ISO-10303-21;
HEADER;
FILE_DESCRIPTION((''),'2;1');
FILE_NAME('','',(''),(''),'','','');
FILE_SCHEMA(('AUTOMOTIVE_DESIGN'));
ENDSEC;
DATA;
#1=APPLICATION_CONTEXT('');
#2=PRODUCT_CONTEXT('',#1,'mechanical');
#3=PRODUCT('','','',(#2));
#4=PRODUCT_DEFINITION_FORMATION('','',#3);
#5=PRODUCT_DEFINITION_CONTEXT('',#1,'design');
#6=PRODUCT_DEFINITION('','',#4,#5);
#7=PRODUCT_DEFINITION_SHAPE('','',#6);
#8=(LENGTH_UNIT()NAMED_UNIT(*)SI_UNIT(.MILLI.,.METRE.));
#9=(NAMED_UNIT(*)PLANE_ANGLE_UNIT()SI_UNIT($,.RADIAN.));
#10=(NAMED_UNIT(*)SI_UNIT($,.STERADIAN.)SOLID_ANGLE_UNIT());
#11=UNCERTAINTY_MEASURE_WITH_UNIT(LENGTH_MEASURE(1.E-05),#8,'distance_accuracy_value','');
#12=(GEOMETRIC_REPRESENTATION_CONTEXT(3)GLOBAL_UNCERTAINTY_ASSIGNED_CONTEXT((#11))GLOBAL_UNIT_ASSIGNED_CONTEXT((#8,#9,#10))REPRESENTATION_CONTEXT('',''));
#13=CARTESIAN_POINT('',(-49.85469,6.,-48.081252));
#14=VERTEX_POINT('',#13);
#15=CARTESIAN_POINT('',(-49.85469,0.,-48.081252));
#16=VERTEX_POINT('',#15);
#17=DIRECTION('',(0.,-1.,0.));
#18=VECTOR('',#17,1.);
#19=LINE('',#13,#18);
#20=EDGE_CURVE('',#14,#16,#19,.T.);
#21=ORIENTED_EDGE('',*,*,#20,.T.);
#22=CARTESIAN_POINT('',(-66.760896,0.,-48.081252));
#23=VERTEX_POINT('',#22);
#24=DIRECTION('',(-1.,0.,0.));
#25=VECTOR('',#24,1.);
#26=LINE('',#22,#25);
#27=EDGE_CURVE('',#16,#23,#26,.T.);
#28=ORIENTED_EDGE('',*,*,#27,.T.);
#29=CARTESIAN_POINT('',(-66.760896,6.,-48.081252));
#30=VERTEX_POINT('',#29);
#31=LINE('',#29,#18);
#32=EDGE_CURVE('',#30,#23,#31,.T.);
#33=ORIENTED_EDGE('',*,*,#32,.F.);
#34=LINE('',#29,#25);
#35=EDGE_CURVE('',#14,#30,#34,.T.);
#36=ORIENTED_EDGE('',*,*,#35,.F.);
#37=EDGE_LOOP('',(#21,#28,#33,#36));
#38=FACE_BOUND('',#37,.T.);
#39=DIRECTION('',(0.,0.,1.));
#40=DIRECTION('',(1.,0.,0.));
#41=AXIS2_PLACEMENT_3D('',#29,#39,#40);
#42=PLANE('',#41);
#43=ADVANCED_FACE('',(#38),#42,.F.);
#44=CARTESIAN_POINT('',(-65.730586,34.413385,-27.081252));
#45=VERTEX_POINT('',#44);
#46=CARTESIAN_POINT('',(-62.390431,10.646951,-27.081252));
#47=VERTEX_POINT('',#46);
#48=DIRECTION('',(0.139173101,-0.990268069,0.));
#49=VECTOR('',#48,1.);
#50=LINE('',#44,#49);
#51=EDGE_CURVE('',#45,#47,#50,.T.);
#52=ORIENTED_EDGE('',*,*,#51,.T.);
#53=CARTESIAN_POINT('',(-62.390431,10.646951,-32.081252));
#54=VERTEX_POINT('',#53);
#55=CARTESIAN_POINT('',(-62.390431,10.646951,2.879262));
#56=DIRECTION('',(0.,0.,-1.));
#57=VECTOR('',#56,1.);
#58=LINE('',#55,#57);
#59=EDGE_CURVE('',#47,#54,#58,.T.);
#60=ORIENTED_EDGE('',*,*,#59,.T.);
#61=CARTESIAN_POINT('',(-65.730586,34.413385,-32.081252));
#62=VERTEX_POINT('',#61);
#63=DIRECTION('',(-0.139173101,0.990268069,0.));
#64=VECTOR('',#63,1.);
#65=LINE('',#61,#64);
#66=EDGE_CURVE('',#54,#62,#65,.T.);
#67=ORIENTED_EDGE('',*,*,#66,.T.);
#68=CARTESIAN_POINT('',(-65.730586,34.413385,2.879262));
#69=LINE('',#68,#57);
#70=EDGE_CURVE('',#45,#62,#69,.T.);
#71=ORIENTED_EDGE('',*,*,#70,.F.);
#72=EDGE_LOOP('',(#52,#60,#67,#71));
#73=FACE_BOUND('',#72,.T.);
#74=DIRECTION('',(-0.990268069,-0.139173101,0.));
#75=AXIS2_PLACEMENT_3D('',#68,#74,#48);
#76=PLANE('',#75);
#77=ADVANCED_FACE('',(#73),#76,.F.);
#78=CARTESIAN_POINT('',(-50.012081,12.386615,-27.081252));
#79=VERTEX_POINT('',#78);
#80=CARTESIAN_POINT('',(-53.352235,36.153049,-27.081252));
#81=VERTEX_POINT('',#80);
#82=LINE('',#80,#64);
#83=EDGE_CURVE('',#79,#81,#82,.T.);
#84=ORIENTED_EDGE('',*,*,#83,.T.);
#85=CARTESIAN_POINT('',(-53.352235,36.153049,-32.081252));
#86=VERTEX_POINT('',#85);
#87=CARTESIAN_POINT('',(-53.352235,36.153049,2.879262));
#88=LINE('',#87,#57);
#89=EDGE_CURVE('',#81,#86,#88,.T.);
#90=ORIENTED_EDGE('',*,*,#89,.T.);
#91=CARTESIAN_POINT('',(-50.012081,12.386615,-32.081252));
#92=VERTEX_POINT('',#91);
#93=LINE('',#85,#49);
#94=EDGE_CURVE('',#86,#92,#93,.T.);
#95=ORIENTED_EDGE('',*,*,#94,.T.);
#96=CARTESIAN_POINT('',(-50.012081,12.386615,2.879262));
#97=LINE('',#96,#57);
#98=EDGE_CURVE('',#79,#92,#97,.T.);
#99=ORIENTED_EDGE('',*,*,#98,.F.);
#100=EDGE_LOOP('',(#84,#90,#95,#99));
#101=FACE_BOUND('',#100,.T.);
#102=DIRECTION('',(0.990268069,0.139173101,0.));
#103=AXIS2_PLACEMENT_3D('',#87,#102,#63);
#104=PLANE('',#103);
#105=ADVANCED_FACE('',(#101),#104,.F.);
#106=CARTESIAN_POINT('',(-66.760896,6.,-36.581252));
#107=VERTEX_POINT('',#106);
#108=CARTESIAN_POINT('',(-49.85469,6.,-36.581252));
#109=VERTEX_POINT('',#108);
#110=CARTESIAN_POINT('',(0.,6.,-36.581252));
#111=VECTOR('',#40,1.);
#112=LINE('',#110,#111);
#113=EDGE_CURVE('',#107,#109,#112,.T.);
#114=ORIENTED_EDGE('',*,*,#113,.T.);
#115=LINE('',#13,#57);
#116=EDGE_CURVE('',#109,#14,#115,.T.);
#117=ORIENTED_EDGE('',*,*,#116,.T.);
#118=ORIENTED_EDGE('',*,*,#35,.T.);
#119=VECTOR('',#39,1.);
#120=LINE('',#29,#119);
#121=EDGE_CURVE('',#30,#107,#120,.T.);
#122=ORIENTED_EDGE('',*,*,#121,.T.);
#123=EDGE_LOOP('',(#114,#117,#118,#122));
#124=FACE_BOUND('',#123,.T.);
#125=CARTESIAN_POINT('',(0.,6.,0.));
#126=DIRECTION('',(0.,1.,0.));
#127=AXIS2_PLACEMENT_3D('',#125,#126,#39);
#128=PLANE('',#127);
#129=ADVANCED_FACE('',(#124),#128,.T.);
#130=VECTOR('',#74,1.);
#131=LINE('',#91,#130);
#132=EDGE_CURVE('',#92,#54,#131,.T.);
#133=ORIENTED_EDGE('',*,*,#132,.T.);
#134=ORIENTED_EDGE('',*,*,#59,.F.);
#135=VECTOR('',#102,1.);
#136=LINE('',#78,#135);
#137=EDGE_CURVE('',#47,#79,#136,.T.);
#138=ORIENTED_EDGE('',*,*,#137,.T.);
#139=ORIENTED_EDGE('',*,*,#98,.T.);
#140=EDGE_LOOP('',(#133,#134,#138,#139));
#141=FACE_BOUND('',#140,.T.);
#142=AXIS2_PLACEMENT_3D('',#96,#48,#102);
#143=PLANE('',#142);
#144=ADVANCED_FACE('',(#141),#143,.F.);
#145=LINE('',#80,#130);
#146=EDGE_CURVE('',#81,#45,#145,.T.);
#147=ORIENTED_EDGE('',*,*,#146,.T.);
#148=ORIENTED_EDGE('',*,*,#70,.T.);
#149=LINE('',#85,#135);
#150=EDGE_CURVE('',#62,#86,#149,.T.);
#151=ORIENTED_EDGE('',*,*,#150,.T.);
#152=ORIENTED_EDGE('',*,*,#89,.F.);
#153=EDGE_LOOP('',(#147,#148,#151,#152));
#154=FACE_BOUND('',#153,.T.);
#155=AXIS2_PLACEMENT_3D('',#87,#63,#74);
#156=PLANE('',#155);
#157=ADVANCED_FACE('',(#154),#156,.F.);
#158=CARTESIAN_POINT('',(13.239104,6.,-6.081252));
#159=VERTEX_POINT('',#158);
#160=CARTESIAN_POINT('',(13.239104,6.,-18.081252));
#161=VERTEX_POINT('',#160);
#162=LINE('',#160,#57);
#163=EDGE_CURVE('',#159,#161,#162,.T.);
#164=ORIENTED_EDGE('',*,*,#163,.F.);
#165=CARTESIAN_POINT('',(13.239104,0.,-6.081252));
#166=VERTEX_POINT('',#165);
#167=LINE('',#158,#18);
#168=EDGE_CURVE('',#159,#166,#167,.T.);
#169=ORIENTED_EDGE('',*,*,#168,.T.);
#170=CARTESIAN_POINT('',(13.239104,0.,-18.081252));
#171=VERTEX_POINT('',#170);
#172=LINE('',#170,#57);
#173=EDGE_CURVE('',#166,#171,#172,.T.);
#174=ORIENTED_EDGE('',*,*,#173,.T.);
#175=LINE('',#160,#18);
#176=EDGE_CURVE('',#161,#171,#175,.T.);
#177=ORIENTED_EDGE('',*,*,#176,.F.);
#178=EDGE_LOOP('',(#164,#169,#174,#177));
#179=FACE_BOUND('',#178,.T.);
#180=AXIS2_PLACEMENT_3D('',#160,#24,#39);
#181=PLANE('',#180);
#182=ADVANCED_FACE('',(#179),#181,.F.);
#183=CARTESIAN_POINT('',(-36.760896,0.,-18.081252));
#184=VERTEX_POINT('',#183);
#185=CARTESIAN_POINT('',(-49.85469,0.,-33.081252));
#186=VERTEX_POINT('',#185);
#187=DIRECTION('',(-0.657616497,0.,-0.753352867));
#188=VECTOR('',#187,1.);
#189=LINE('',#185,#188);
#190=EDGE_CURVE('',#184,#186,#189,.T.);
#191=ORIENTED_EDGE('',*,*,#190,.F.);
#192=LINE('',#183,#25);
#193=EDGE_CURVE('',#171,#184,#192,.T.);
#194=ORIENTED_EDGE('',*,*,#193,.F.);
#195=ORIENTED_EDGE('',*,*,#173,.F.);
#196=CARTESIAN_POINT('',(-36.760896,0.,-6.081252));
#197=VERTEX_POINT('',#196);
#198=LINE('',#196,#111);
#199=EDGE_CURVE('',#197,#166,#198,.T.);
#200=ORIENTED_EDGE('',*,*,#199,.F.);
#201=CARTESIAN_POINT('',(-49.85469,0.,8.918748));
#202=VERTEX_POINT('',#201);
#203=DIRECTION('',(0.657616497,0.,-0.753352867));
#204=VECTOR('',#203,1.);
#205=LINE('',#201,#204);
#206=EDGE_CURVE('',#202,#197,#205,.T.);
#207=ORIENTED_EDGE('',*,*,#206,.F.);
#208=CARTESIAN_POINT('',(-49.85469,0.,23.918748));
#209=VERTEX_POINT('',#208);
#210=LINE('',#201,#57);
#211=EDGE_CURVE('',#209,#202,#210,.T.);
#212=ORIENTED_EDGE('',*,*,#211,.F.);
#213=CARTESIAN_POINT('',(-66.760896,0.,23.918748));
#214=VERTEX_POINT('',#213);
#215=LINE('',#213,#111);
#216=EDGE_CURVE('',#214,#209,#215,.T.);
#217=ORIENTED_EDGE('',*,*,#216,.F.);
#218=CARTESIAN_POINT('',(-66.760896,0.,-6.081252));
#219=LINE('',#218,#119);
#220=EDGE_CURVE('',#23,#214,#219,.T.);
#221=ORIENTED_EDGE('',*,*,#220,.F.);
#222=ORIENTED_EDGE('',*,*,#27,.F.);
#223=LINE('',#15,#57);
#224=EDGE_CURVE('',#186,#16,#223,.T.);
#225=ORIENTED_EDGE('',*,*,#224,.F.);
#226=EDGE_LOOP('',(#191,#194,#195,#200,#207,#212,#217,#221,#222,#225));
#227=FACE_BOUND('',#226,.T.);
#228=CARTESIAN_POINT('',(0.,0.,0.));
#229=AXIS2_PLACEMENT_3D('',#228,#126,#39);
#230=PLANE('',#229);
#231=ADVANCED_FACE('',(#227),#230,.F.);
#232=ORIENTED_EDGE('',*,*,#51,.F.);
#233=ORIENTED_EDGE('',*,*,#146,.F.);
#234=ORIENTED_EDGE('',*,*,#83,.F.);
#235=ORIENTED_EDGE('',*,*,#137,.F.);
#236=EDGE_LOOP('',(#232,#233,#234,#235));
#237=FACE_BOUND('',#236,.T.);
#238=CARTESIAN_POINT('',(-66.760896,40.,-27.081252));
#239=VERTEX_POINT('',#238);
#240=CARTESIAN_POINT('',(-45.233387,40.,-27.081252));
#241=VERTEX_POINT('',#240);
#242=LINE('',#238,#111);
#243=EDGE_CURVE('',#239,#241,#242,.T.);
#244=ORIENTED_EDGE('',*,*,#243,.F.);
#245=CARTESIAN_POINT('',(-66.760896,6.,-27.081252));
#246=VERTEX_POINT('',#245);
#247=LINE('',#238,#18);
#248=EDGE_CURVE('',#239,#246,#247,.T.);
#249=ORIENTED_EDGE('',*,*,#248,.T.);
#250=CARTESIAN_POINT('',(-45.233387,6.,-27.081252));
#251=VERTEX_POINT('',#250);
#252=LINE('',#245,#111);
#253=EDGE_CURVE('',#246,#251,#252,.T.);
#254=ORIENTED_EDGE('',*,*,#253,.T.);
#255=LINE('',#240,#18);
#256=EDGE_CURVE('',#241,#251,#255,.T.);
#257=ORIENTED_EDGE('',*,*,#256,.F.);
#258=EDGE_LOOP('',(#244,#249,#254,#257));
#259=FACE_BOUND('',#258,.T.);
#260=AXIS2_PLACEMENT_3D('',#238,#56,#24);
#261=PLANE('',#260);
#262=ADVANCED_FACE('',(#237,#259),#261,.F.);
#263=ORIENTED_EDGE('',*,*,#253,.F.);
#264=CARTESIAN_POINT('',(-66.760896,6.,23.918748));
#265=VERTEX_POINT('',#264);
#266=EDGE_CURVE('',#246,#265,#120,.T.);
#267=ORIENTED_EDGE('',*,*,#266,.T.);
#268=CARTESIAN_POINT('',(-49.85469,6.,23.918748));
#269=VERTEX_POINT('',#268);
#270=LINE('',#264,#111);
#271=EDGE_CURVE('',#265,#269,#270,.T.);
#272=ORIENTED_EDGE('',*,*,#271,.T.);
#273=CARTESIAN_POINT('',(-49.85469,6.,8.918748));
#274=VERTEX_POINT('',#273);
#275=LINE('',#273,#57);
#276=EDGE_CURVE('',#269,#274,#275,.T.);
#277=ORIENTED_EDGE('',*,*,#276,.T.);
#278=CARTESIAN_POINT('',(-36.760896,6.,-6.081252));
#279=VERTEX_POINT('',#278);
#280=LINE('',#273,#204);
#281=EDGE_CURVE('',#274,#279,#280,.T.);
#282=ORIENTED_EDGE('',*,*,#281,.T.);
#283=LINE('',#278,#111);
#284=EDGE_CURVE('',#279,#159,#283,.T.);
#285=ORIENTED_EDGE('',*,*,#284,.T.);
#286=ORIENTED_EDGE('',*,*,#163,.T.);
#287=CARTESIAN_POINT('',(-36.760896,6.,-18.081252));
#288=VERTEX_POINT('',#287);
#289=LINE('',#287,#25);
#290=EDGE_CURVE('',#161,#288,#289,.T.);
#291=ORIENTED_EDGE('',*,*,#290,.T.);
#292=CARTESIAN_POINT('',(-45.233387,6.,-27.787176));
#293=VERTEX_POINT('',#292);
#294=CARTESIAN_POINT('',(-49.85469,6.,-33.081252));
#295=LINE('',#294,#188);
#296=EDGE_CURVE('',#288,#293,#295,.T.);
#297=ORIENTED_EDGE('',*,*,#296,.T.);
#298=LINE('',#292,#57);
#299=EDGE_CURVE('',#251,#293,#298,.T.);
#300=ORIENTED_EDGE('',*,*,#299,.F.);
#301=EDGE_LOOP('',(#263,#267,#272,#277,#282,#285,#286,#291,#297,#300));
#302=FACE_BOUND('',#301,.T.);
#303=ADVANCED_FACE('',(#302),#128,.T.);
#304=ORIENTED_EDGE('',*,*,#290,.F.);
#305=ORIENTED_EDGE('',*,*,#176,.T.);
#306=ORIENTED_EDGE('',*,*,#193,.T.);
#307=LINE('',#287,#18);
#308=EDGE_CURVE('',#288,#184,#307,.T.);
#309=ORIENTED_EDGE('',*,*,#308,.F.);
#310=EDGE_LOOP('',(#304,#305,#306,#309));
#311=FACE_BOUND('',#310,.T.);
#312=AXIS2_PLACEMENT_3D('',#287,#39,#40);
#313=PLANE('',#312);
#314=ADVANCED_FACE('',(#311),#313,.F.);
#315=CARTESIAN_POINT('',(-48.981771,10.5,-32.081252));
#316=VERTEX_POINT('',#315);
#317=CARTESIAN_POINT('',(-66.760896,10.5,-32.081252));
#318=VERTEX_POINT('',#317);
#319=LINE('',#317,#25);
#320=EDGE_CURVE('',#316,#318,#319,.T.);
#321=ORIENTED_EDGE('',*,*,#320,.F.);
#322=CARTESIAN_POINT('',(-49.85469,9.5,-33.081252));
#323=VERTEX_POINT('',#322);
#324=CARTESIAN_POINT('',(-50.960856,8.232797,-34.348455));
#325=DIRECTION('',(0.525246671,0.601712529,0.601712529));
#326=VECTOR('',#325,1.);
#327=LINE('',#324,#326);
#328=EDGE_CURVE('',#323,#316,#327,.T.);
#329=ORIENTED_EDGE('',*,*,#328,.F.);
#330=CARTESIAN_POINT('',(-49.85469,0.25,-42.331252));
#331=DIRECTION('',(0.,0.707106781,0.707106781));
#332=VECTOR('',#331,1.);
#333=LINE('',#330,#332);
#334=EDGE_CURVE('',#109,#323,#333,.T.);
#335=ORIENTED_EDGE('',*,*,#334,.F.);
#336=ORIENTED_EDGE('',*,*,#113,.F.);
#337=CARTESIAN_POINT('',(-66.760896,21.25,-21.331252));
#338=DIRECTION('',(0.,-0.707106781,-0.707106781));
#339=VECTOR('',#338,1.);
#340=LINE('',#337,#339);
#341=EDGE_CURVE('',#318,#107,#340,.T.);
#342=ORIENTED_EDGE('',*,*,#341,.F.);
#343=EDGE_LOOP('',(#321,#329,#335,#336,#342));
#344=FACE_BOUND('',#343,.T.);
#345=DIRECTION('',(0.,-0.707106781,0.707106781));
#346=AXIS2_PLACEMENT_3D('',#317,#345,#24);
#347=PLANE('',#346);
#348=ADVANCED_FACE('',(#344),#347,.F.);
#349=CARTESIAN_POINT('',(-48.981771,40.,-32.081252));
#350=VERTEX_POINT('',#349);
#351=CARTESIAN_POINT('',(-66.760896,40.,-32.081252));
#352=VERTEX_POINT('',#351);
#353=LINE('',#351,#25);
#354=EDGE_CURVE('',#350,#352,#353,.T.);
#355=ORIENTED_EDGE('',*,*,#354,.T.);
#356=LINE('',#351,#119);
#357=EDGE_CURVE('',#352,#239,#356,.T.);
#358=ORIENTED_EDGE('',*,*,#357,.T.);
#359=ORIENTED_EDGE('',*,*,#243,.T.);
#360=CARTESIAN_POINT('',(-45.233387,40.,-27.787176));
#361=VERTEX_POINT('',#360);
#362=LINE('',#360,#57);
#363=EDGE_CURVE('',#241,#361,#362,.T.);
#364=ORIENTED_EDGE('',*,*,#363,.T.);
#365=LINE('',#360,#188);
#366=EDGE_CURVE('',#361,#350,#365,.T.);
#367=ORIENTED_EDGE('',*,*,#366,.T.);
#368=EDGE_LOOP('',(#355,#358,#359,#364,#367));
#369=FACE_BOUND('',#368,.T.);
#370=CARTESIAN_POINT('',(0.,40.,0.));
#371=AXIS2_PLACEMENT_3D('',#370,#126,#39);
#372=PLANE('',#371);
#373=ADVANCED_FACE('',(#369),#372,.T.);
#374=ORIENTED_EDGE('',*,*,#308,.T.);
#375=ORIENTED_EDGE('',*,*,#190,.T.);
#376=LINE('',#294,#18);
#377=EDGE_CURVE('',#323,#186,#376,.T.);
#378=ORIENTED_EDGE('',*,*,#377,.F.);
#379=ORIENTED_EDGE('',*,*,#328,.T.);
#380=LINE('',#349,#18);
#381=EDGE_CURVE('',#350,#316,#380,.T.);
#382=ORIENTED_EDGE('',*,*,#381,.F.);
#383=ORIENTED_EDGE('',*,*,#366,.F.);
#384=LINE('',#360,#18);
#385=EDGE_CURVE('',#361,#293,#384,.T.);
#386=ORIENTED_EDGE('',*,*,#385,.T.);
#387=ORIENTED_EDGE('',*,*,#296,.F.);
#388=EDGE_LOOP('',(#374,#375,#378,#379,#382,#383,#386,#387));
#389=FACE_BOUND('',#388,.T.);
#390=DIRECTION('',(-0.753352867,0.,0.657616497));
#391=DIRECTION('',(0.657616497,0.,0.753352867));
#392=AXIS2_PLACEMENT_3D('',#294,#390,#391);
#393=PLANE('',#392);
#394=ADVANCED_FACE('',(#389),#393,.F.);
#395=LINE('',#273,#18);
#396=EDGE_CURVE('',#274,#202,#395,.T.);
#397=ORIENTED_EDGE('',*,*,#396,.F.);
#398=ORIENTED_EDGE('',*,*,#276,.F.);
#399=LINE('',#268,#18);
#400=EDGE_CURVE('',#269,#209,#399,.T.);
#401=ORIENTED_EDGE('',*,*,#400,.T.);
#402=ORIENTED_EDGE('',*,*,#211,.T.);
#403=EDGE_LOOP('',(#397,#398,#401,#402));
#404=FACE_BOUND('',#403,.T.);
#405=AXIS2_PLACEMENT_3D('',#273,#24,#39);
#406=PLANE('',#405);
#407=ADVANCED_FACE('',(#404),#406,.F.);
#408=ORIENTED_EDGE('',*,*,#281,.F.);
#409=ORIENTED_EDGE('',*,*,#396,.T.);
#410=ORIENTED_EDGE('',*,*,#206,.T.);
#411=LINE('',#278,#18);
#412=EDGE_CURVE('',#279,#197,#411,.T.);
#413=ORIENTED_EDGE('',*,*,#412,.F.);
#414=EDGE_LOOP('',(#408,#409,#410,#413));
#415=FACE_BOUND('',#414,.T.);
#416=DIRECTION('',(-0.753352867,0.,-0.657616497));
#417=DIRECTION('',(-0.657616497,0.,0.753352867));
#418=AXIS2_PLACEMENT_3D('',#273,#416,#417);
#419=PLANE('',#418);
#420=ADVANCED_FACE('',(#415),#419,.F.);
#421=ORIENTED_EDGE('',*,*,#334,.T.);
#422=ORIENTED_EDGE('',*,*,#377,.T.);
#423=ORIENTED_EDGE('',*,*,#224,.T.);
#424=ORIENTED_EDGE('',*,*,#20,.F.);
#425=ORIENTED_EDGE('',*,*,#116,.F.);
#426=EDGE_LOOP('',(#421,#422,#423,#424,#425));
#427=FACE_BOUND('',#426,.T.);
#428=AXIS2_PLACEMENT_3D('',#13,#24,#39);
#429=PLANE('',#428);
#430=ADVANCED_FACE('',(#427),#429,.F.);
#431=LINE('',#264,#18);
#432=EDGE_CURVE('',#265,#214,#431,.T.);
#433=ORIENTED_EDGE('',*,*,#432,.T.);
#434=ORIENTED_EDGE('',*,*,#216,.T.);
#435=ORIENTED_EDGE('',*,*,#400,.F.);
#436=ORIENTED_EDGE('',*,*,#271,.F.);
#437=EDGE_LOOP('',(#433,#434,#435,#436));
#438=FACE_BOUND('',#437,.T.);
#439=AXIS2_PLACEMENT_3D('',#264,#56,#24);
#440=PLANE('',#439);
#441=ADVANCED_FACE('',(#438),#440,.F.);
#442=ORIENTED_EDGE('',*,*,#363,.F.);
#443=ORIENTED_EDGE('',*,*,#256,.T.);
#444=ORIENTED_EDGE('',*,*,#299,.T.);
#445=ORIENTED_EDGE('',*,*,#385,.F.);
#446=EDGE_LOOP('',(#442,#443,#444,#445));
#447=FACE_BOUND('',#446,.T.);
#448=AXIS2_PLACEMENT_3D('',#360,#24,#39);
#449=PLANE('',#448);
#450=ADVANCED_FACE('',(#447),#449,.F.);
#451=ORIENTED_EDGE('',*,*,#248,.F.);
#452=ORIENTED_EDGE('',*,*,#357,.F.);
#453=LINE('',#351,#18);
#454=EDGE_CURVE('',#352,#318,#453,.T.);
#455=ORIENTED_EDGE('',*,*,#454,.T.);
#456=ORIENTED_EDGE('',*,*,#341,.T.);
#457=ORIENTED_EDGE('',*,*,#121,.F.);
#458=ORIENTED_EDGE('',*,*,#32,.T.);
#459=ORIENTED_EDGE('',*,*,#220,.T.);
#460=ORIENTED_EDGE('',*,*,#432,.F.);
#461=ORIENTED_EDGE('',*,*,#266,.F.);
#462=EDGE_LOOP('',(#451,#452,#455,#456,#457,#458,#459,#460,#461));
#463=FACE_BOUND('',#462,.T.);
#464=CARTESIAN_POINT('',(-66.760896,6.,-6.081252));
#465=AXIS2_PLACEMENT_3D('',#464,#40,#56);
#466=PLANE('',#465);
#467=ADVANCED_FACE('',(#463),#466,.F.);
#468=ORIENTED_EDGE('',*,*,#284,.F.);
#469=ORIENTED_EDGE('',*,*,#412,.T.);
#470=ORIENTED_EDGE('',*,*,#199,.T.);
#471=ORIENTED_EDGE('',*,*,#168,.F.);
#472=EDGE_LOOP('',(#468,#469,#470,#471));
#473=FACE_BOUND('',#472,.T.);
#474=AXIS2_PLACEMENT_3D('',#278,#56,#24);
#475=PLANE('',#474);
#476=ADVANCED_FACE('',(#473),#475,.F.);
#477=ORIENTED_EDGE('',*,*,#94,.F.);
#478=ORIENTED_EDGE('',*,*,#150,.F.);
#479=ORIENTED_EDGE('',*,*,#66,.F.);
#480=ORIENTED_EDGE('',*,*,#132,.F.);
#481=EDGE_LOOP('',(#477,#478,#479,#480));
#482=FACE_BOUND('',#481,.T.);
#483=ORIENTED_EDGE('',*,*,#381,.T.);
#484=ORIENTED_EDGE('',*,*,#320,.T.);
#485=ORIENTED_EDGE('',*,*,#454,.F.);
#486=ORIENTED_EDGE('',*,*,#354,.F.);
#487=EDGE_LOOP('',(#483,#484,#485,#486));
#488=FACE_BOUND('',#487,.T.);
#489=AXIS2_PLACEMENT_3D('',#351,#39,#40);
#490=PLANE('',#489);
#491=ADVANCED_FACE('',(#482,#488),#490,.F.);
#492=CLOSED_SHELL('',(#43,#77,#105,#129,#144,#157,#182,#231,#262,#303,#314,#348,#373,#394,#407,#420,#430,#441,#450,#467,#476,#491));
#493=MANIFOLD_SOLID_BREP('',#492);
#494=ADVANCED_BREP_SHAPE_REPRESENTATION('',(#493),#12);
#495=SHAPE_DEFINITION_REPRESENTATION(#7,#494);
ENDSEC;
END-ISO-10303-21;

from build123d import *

# Parameters (mm, degrees)
EXTRUDE_1_DEPTH     = 6
EXTRUDE_2_DEPTH     = 34
CUT_EXTRUDE_1_DEPTH = 5
CHAMFER_1_SIZE      = 4.5


with BuildPart() as part:
    # Эскиз1 → Бобышка-Вытянуть1 (new body)
    with BuildSketch(Plane(origin=(0, 0, 0), x_dir=(1, 0, 0), z_dir=(0, 1, 0))):
        Polygon((-49.854690153425345, 33.081252417759906), (-36.76089588655862, 18.081252417759906), (13.239104113441384, 18.08125241775991), (13.239104113441385, 6.081252417759905), (-36.76089588655862, 6.081252417759905), (-49.85469015342534, -8.918747582240094), (-49.85469015342534, -23.918747582240094), (-66.76089588655861, -23.918747582240094), (-66.76089588655861, 6.081252417759901), (-66.76089588655861, 18.081252417759902), (-66.76089588655861, 48.0812524177599), (-49.854690153425345, 48.0812524177599), align=None)
    extrude(amount=EXTRUDE_1_DEPTH)

    # Эскиз2 → Бобышка-Вытянуть2 (add)
    with BuildSketch(Plane(origin=(0, 6, 0), x_dir=(1, 0, 0), z_dir=(0, 1, 0))):
        Polygon((-66.76089588655861, 32.08125241775989), (-48.98177053563421, 32.08125241775989), (-45.2333870796828, 27.787176102421114), (-45.2333870796828, 27.081252417759895), (-66.76089588655861, 27.081252417759895), align=None)
    extrude(amount=EXTRUDE_2_DEPTH)

    # Эскиз3 → Вырез-Вытянуть1 (cut)
    with BuildSketch(Plane(origin=(0, 0, -32.08125241775989), x_dir=(-1, 0, 0), z_dir=(0, 0, -1))):
        Polygon((53.35223499298238, 36.15304870589925), (65.730585852252, 34.413384943898436), (62.39043142921044, 10.646951294100747), (50.012080569940814, 12.386615056101567), align=None)
    extrude(amount=-CUT_EXTRUDE_1_DEPTH, mode=Mode.SUBTRACT)

    # Фаска1
    chamfer_1_edges = [part.edges().sort_by_distance(p)[0] for p in [
        (-57.87133321109641, 6, -32.08125241775989),
    ]]
    chamfer(chamfer_1_edges, length=CHAMFER_1_SIZE)


solid = part.part
